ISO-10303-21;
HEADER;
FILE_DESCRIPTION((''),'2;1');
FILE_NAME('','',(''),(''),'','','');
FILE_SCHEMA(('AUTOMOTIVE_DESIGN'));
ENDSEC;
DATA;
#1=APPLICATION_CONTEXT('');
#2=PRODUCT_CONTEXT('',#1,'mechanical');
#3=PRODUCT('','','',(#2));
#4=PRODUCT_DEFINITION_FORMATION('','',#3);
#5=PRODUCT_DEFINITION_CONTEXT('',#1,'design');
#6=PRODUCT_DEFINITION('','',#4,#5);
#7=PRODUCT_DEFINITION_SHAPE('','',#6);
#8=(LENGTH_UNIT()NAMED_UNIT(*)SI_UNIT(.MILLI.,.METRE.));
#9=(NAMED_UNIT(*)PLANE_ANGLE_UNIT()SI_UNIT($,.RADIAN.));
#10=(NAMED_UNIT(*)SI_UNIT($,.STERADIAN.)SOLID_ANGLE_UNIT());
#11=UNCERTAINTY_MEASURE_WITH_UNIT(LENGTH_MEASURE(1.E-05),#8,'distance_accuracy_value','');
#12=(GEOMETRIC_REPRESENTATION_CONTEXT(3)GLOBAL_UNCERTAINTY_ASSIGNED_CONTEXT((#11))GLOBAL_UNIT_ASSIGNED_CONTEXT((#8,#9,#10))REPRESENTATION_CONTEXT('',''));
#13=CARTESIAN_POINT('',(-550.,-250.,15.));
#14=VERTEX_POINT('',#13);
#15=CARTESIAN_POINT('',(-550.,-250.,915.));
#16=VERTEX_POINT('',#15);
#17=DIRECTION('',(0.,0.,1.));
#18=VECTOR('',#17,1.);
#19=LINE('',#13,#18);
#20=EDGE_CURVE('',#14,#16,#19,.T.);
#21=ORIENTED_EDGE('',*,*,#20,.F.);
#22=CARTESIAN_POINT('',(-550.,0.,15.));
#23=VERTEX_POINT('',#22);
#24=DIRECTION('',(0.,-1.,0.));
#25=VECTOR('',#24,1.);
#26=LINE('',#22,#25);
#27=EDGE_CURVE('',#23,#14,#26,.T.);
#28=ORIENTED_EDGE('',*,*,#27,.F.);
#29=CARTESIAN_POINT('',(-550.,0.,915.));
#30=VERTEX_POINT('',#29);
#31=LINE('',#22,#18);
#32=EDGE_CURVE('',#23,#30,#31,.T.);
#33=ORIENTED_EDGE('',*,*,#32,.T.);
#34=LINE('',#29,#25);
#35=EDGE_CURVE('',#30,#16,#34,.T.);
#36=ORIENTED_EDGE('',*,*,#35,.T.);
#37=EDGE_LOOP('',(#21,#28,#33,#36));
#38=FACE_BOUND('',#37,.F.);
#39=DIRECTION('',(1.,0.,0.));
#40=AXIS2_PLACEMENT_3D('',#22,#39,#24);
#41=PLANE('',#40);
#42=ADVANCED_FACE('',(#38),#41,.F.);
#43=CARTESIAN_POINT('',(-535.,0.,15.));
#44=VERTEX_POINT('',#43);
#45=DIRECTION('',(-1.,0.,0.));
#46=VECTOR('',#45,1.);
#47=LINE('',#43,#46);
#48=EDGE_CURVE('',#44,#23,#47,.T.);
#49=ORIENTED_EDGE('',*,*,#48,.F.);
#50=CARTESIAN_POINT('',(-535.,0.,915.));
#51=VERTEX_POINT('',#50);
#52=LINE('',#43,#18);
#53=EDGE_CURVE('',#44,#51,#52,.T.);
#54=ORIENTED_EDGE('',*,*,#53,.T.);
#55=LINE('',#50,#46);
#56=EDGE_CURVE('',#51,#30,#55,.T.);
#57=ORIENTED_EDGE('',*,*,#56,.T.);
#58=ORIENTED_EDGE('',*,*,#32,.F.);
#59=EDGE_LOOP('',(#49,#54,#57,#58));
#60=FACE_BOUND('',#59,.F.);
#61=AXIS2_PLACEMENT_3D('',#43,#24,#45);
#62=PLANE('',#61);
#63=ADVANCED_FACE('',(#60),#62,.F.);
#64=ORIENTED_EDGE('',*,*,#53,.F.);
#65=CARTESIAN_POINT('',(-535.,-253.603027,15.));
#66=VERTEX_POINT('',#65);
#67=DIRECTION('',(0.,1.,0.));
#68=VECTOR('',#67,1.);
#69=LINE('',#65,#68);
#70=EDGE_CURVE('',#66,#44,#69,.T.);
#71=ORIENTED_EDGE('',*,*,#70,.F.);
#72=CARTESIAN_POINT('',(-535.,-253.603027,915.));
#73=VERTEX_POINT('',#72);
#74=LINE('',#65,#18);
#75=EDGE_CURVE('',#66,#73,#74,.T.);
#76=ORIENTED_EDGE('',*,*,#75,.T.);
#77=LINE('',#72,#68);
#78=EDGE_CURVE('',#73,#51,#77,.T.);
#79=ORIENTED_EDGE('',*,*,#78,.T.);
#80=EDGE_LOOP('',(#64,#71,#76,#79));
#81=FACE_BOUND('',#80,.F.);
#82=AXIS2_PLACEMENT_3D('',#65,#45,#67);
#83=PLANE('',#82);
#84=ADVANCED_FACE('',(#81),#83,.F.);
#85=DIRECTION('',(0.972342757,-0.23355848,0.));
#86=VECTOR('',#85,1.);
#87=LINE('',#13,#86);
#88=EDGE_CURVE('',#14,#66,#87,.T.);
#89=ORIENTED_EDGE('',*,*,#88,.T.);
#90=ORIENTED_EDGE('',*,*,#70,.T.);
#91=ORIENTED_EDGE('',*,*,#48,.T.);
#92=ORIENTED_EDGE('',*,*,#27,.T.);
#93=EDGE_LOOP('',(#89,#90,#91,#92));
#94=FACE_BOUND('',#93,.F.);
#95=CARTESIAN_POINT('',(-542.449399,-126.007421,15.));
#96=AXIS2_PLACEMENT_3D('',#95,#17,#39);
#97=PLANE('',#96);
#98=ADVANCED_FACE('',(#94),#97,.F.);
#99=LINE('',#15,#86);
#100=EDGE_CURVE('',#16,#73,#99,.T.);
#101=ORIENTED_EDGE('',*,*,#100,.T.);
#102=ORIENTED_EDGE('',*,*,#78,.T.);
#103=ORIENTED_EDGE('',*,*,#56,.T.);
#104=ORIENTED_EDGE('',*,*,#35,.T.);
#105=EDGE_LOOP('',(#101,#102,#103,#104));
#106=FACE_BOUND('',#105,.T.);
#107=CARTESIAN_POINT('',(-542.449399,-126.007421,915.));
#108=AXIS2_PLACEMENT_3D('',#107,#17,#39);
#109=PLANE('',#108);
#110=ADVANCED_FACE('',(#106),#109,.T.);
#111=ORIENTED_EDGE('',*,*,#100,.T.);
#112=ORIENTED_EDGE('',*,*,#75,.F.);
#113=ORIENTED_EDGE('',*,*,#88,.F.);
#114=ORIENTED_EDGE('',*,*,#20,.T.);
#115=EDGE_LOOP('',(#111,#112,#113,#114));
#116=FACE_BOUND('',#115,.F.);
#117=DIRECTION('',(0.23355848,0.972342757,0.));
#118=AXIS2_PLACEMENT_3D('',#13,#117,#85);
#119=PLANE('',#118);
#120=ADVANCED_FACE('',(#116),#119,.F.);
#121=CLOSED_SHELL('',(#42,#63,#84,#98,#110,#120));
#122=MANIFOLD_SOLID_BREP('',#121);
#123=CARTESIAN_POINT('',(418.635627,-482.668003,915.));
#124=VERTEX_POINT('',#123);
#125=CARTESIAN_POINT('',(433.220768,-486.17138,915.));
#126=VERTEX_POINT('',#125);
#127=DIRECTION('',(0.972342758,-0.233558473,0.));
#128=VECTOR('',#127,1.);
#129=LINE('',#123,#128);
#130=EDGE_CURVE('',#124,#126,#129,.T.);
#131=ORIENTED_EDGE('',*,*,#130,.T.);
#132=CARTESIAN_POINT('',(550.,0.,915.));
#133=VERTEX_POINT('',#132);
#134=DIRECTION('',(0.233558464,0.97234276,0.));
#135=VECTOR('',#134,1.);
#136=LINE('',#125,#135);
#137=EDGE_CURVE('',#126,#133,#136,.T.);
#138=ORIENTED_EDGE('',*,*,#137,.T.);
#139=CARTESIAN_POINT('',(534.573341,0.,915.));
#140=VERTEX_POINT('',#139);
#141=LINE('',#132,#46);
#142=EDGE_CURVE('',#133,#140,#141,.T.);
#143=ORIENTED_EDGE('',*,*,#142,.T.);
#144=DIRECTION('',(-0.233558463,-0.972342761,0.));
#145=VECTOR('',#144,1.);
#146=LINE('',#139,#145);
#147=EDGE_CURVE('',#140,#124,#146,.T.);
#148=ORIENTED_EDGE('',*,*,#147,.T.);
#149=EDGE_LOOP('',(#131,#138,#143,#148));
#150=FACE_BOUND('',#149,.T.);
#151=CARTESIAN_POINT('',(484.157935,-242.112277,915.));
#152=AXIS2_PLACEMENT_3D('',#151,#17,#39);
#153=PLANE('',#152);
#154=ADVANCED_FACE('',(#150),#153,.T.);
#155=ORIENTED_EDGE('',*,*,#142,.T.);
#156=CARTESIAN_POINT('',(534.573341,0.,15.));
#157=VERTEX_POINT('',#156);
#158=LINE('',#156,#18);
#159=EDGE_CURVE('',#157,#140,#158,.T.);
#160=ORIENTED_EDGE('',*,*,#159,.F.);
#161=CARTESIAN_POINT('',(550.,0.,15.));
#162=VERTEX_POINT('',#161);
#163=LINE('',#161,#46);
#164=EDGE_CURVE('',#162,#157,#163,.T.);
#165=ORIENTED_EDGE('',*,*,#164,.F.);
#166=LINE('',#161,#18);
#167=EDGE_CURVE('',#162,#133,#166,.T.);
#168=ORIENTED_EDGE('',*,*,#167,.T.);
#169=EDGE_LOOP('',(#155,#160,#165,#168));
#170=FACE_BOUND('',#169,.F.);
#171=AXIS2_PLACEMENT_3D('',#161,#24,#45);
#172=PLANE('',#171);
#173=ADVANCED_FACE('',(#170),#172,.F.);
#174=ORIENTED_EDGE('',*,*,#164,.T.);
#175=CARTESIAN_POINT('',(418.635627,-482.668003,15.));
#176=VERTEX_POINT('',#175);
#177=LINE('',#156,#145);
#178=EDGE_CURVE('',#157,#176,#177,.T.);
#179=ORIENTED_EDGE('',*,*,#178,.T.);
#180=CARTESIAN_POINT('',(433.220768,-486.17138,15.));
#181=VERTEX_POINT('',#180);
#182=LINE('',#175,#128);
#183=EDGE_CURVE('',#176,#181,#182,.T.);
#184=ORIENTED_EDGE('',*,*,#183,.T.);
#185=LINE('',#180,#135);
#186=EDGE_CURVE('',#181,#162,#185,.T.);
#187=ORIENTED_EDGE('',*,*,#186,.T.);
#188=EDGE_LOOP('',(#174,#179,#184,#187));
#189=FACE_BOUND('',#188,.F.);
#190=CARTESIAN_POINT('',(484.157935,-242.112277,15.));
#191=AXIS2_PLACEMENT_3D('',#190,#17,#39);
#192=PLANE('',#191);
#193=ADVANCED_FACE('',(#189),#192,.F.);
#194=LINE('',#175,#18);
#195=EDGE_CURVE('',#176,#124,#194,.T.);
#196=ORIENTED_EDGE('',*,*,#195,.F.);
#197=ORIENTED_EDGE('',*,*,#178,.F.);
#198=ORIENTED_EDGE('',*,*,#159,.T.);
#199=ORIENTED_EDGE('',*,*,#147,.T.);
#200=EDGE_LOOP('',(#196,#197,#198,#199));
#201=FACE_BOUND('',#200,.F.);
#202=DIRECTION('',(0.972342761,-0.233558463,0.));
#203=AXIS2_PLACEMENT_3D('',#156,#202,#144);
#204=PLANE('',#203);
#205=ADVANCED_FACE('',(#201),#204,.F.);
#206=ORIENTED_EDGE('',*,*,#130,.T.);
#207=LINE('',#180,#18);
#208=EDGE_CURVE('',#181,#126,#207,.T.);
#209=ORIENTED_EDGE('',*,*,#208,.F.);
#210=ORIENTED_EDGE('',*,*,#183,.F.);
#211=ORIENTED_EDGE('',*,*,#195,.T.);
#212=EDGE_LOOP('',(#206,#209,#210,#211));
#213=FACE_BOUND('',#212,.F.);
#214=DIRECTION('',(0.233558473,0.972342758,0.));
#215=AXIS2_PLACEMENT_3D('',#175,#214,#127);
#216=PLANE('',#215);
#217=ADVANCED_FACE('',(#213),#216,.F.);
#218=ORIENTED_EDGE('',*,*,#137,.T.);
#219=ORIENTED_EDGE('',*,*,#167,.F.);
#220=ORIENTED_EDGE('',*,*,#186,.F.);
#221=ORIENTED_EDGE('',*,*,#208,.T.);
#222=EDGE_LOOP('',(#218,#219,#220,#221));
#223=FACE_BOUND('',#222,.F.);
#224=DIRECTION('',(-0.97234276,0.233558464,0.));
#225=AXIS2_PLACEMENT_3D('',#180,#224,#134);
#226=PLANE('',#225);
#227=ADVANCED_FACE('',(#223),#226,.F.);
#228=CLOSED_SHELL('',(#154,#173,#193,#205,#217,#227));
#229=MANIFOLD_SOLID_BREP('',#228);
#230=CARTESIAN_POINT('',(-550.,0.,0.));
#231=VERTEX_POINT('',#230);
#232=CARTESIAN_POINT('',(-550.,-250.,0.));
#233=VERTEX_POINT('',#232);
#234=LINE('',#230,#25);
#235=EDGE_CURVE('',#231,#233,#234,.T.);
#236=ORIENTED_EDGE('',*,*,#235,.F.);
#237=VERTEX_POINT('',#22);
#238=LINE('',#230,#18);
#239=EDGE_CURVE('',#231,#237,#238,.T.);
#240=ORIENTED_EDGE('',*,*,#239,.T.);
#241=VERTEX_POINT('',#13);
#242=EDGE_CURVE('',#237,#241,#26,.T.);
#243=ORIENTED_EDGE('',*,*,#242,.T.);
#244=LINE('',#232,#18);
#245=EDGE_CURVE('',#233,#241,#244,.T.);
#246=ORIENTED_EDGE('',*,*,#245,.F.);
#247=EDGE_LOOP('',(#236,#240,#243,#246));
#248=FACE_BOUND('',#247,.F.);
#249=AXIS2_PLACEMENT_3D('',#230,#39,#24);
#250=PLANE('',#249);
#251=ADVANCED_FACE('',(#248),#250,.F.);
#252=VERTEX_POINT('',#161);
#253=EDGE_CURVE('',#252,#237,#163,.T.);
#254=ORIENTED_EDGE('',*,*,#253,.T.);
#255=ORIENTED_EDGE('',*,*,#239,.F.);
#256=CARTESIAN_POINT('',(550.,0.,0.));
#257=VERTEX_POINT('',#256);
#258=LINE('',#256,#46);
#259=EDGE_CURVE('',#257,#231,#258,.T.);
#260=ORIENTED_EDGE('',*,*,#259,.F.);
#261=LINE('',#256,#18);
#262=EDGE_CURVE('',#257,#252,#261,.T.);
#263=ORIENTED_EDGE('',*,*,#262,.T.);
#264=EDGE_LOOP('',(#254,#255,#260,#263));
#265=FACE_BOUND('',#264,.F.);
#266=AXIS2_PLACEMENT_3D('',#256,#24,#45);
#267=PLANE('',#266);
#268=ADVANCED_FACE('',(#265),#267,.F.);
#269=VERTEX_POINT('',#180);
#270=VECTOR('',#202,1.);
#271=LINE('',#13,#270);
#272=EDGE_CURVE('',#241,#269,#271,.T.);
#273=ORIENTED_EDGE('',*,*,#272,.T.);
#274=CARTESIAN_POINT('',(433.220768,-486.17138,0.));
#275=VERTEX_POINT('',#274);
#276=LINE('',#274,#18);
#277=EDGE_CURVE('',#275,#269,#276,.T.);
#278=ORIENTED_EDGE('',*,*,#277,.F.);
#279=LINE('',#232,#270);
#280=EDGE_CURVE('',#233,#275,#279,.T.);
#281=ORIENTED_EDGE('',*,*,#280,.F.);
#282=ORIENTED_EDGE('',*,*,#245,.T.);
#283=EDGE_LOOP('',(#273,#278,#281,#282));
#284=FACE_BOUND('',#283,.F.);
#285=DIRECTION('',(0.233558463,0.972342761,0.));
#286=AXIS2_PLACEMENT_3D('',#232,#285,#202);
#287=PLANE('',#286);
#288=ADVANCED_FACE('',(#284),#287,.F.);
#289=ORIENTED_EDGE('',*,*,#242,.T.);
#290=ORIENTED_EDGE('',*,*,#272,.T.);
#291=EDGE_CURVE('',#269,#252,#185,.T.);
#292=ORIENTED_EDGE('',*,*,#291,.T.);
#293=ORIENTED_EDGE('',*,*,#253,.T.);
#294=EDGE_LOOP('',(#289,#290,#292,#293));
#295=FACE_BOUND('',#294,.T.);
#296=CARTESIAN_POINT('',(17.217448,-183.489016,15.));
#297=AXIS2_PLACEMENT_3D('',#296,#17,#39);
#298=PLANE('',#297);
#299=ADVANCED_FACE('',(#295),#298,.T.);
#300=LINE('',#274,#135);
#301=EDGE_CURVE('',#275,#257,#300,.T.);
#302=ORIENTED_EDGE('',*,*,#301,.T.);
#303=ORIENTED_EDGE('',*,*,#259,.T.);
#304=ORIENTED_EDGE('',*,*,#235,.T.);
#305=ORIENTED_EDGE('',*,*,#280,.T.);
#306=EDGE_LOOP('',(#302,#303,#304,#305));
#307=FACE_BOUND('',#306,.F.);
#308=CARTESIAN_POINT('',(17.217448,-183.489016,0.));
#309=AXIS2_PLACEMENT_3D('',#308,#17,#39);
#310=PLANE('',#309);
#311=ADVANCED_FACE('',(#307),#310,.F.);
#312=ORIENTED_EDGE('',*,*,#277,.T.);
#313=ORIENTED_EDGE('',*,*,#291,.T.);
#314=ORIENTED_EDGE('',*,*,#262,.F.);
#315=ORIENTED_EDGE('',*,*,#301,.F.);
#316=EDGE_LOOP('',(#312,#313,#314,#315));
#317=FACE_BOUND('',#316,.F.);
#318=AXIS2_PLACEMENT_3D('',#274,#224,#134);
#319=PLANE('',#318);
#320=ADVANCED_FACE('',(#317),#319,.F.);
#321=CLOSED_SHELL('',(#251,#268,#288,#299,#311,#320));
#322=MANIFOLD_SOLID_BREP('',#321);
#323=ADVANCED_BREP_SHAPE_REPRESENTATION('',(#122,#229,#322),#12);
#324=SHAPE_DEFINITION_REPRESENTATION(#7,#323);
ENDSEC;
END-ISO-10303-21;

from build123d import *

# Parameters (mm, degrees)
F1_DEPTH = 15
F3_DEPTH = 900


with BuildPart() as f1:
    # F0 (on Top) → F1 (new body)
    with BuildSketch(Plane.XY):
        Polygon((550, 0), (-550, 0), (-550, -250), (433.220768, -486.17138), align=None)
    extrude(amount=F1_DEPTH)


with BuildPart() as f3:
    # F2 (on face) → F3 (new body)
    with BuildSketch(Plane.XY.offset(15)):
        Polygon((-535, 0), (-550, 0), (-550, -250), (-535, -253.603027), align=None)
        Polygon((433.220768, -486.17138), (550, 0), (534.573341, 0), (418.635627, -482.668003), align=None)
    extrude(amount=F3_DEPTH)


solid = Compound([f1.part, f3.part])
